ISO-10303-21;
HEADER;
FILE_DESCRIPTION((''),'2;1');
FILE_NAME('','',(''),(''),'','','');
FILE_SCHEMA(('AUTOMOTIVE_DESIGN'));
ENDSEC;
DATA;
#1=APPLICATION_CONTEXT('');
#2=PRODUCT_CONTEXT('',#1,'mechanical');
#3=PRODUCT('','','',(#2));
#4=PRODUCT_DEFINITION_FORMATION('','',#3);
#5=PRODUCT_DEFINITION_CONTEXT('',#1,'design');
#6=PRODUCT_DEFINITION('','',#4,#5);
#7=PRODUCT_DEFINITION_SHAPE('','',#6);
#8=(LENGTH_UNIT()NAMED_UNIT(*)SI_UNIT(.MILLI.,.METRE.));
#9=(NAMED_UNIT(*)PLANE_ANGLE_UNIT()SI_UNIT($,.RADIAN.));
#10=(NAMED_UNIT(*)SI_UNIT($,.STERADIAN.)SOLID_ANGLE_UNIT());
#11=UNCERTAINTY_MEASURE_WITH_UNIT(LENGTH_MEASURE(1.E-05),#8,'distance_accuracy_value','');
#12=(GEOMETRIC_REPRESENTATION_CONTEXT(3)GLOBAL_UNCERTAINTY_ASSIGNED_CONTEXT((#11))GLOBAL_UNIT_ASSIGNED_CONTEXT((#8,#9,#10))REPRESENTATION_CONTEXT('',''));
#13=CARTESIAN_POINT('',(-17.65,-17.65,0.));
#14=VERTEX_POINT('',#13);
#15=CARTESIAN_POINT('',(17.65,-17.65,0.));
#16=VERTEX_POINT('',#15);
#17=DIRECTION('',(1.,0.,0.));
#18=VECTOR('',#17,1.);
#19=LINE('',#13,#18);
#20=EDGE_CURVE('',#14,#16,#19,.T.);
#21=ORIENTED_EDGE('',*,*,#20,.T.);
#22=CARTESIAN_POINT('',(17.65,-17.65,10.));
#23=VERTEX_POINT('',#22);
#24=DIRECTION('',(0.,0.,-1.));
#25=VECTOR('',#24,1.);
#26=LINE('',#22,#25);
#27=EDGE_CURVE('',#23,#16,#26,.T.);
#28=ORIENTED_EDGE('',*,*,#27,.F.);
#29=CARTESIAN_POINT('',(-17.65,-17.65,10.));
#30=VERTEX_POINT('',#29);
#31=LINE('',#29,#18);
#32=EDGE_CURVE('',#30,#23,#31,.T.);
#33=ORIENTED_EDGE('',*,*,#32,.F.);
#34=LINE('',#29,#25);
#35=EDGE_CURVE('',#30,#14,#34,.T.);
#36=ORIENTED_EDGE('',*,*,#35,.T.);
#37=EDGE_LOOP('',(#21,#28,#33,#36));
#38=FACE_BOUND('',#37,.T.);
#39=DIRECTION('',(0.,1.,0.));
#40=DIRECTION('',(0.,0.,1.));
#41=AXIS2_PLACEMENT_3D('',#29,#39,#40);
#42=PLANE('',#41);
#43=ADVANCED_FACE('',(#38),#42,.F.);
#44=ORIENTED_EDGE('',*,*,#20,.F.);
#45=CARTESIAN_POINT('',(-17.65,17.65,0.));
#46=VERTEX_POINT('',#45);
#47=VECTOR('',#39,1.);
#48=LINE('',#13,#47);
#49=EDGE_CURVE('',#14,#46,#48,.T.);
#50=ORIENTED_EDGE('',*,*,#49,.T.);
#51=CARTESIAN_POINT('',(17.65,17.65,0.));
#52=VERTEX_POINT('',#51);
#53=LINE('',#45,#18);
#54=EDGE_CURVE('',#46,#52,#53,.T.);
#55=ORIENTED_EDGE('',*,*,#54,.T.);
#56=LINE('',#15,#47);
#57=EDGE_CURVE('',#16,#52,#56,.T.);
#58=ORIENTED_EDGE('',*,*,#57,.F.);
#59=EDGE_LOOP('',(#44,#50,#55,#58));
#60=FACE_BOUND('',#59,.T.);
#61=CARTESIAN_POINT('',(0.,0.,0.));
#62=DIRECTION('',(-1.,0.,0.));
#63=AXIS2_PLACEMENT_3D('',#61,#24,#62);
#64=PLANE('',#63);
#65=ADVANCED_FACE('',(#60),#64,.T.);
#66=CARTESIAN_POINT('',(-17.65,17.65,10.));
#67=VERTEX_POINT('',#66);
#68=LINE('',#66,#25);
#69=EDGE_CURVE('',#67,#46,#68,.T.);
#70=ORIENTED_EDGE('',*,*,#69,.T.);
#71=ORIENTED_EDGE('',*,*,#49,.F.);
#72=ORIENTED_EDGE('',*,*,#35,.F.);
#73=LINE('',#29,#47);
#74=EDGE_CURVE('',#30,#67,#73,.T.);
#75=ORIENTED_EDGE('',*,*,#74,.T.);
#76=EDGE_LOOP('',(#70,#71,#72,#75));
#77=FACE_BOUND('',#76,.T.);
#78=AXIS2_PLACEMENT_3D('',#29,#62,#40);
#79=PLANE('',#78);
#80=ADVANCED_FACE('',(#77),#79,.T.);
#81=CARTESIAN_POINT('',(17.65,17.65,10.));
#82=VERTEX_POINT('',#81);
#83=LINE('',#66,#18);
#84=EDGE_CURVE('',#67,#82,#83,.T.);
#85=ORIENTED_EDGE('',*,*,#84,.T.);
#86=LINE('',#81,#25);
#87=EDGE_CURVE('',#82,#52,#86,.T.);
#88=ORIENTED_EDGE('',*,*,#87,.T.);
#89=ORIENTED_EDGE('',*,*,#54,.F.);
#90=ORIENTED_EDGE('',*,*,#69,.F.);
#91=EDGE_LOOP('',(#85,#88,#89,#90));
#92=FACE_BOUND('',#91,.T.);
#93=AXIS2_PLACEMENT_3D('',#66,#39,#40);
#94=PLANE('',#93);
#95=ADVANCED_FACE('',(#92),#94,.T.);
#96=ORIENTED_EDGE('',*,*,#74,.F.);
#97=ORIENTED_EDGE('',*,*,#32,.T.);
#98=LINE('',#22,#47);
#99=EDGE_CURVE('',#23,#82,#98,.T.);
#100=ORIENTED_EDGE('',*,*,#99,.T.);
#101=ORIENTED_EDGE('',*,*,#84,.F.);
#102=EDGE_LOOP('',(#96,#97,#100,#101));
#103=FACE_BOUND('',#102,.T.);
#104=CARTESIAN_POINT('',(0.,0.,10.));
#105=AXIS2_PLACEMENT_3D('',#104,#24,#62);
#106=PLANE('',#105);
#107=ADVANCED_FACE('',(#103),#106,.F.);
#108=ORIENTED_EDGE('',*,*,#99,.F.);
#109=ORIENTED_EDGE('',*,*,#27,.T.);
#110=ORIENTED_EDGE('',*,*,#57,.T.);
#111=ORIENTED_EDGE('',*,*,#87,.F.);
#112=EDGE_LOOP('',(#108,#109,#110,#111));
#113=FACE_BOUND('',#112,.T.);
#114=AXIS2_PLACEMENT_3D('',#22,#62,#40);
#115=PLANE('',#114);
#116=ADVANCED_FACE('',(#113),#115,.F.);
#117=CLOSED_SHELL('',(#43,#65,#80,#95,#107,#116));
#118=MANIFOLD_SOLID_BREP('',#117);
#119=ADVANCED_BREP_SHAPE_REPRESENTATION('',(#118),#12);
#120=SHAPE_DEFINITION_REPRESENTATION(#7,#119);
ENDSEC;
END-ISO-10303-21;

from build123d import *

# Parameters (mm, degrees)
SKETCH1_W           = 35.3
SKETCH1_H           = 35.3
BOSS_EXTRUDE1_DEPTH = 10


with BuildPart() as part:
    # Sketch1 → Boss-Extrude1 (new body)
    with BuildSketch(Plane.XY):
        Rectangle(SKETCH1_W, SKETCH1_H)
    extrude(amount=BOSS_EXTRUDE1_DEPTH)


solid = part.part
